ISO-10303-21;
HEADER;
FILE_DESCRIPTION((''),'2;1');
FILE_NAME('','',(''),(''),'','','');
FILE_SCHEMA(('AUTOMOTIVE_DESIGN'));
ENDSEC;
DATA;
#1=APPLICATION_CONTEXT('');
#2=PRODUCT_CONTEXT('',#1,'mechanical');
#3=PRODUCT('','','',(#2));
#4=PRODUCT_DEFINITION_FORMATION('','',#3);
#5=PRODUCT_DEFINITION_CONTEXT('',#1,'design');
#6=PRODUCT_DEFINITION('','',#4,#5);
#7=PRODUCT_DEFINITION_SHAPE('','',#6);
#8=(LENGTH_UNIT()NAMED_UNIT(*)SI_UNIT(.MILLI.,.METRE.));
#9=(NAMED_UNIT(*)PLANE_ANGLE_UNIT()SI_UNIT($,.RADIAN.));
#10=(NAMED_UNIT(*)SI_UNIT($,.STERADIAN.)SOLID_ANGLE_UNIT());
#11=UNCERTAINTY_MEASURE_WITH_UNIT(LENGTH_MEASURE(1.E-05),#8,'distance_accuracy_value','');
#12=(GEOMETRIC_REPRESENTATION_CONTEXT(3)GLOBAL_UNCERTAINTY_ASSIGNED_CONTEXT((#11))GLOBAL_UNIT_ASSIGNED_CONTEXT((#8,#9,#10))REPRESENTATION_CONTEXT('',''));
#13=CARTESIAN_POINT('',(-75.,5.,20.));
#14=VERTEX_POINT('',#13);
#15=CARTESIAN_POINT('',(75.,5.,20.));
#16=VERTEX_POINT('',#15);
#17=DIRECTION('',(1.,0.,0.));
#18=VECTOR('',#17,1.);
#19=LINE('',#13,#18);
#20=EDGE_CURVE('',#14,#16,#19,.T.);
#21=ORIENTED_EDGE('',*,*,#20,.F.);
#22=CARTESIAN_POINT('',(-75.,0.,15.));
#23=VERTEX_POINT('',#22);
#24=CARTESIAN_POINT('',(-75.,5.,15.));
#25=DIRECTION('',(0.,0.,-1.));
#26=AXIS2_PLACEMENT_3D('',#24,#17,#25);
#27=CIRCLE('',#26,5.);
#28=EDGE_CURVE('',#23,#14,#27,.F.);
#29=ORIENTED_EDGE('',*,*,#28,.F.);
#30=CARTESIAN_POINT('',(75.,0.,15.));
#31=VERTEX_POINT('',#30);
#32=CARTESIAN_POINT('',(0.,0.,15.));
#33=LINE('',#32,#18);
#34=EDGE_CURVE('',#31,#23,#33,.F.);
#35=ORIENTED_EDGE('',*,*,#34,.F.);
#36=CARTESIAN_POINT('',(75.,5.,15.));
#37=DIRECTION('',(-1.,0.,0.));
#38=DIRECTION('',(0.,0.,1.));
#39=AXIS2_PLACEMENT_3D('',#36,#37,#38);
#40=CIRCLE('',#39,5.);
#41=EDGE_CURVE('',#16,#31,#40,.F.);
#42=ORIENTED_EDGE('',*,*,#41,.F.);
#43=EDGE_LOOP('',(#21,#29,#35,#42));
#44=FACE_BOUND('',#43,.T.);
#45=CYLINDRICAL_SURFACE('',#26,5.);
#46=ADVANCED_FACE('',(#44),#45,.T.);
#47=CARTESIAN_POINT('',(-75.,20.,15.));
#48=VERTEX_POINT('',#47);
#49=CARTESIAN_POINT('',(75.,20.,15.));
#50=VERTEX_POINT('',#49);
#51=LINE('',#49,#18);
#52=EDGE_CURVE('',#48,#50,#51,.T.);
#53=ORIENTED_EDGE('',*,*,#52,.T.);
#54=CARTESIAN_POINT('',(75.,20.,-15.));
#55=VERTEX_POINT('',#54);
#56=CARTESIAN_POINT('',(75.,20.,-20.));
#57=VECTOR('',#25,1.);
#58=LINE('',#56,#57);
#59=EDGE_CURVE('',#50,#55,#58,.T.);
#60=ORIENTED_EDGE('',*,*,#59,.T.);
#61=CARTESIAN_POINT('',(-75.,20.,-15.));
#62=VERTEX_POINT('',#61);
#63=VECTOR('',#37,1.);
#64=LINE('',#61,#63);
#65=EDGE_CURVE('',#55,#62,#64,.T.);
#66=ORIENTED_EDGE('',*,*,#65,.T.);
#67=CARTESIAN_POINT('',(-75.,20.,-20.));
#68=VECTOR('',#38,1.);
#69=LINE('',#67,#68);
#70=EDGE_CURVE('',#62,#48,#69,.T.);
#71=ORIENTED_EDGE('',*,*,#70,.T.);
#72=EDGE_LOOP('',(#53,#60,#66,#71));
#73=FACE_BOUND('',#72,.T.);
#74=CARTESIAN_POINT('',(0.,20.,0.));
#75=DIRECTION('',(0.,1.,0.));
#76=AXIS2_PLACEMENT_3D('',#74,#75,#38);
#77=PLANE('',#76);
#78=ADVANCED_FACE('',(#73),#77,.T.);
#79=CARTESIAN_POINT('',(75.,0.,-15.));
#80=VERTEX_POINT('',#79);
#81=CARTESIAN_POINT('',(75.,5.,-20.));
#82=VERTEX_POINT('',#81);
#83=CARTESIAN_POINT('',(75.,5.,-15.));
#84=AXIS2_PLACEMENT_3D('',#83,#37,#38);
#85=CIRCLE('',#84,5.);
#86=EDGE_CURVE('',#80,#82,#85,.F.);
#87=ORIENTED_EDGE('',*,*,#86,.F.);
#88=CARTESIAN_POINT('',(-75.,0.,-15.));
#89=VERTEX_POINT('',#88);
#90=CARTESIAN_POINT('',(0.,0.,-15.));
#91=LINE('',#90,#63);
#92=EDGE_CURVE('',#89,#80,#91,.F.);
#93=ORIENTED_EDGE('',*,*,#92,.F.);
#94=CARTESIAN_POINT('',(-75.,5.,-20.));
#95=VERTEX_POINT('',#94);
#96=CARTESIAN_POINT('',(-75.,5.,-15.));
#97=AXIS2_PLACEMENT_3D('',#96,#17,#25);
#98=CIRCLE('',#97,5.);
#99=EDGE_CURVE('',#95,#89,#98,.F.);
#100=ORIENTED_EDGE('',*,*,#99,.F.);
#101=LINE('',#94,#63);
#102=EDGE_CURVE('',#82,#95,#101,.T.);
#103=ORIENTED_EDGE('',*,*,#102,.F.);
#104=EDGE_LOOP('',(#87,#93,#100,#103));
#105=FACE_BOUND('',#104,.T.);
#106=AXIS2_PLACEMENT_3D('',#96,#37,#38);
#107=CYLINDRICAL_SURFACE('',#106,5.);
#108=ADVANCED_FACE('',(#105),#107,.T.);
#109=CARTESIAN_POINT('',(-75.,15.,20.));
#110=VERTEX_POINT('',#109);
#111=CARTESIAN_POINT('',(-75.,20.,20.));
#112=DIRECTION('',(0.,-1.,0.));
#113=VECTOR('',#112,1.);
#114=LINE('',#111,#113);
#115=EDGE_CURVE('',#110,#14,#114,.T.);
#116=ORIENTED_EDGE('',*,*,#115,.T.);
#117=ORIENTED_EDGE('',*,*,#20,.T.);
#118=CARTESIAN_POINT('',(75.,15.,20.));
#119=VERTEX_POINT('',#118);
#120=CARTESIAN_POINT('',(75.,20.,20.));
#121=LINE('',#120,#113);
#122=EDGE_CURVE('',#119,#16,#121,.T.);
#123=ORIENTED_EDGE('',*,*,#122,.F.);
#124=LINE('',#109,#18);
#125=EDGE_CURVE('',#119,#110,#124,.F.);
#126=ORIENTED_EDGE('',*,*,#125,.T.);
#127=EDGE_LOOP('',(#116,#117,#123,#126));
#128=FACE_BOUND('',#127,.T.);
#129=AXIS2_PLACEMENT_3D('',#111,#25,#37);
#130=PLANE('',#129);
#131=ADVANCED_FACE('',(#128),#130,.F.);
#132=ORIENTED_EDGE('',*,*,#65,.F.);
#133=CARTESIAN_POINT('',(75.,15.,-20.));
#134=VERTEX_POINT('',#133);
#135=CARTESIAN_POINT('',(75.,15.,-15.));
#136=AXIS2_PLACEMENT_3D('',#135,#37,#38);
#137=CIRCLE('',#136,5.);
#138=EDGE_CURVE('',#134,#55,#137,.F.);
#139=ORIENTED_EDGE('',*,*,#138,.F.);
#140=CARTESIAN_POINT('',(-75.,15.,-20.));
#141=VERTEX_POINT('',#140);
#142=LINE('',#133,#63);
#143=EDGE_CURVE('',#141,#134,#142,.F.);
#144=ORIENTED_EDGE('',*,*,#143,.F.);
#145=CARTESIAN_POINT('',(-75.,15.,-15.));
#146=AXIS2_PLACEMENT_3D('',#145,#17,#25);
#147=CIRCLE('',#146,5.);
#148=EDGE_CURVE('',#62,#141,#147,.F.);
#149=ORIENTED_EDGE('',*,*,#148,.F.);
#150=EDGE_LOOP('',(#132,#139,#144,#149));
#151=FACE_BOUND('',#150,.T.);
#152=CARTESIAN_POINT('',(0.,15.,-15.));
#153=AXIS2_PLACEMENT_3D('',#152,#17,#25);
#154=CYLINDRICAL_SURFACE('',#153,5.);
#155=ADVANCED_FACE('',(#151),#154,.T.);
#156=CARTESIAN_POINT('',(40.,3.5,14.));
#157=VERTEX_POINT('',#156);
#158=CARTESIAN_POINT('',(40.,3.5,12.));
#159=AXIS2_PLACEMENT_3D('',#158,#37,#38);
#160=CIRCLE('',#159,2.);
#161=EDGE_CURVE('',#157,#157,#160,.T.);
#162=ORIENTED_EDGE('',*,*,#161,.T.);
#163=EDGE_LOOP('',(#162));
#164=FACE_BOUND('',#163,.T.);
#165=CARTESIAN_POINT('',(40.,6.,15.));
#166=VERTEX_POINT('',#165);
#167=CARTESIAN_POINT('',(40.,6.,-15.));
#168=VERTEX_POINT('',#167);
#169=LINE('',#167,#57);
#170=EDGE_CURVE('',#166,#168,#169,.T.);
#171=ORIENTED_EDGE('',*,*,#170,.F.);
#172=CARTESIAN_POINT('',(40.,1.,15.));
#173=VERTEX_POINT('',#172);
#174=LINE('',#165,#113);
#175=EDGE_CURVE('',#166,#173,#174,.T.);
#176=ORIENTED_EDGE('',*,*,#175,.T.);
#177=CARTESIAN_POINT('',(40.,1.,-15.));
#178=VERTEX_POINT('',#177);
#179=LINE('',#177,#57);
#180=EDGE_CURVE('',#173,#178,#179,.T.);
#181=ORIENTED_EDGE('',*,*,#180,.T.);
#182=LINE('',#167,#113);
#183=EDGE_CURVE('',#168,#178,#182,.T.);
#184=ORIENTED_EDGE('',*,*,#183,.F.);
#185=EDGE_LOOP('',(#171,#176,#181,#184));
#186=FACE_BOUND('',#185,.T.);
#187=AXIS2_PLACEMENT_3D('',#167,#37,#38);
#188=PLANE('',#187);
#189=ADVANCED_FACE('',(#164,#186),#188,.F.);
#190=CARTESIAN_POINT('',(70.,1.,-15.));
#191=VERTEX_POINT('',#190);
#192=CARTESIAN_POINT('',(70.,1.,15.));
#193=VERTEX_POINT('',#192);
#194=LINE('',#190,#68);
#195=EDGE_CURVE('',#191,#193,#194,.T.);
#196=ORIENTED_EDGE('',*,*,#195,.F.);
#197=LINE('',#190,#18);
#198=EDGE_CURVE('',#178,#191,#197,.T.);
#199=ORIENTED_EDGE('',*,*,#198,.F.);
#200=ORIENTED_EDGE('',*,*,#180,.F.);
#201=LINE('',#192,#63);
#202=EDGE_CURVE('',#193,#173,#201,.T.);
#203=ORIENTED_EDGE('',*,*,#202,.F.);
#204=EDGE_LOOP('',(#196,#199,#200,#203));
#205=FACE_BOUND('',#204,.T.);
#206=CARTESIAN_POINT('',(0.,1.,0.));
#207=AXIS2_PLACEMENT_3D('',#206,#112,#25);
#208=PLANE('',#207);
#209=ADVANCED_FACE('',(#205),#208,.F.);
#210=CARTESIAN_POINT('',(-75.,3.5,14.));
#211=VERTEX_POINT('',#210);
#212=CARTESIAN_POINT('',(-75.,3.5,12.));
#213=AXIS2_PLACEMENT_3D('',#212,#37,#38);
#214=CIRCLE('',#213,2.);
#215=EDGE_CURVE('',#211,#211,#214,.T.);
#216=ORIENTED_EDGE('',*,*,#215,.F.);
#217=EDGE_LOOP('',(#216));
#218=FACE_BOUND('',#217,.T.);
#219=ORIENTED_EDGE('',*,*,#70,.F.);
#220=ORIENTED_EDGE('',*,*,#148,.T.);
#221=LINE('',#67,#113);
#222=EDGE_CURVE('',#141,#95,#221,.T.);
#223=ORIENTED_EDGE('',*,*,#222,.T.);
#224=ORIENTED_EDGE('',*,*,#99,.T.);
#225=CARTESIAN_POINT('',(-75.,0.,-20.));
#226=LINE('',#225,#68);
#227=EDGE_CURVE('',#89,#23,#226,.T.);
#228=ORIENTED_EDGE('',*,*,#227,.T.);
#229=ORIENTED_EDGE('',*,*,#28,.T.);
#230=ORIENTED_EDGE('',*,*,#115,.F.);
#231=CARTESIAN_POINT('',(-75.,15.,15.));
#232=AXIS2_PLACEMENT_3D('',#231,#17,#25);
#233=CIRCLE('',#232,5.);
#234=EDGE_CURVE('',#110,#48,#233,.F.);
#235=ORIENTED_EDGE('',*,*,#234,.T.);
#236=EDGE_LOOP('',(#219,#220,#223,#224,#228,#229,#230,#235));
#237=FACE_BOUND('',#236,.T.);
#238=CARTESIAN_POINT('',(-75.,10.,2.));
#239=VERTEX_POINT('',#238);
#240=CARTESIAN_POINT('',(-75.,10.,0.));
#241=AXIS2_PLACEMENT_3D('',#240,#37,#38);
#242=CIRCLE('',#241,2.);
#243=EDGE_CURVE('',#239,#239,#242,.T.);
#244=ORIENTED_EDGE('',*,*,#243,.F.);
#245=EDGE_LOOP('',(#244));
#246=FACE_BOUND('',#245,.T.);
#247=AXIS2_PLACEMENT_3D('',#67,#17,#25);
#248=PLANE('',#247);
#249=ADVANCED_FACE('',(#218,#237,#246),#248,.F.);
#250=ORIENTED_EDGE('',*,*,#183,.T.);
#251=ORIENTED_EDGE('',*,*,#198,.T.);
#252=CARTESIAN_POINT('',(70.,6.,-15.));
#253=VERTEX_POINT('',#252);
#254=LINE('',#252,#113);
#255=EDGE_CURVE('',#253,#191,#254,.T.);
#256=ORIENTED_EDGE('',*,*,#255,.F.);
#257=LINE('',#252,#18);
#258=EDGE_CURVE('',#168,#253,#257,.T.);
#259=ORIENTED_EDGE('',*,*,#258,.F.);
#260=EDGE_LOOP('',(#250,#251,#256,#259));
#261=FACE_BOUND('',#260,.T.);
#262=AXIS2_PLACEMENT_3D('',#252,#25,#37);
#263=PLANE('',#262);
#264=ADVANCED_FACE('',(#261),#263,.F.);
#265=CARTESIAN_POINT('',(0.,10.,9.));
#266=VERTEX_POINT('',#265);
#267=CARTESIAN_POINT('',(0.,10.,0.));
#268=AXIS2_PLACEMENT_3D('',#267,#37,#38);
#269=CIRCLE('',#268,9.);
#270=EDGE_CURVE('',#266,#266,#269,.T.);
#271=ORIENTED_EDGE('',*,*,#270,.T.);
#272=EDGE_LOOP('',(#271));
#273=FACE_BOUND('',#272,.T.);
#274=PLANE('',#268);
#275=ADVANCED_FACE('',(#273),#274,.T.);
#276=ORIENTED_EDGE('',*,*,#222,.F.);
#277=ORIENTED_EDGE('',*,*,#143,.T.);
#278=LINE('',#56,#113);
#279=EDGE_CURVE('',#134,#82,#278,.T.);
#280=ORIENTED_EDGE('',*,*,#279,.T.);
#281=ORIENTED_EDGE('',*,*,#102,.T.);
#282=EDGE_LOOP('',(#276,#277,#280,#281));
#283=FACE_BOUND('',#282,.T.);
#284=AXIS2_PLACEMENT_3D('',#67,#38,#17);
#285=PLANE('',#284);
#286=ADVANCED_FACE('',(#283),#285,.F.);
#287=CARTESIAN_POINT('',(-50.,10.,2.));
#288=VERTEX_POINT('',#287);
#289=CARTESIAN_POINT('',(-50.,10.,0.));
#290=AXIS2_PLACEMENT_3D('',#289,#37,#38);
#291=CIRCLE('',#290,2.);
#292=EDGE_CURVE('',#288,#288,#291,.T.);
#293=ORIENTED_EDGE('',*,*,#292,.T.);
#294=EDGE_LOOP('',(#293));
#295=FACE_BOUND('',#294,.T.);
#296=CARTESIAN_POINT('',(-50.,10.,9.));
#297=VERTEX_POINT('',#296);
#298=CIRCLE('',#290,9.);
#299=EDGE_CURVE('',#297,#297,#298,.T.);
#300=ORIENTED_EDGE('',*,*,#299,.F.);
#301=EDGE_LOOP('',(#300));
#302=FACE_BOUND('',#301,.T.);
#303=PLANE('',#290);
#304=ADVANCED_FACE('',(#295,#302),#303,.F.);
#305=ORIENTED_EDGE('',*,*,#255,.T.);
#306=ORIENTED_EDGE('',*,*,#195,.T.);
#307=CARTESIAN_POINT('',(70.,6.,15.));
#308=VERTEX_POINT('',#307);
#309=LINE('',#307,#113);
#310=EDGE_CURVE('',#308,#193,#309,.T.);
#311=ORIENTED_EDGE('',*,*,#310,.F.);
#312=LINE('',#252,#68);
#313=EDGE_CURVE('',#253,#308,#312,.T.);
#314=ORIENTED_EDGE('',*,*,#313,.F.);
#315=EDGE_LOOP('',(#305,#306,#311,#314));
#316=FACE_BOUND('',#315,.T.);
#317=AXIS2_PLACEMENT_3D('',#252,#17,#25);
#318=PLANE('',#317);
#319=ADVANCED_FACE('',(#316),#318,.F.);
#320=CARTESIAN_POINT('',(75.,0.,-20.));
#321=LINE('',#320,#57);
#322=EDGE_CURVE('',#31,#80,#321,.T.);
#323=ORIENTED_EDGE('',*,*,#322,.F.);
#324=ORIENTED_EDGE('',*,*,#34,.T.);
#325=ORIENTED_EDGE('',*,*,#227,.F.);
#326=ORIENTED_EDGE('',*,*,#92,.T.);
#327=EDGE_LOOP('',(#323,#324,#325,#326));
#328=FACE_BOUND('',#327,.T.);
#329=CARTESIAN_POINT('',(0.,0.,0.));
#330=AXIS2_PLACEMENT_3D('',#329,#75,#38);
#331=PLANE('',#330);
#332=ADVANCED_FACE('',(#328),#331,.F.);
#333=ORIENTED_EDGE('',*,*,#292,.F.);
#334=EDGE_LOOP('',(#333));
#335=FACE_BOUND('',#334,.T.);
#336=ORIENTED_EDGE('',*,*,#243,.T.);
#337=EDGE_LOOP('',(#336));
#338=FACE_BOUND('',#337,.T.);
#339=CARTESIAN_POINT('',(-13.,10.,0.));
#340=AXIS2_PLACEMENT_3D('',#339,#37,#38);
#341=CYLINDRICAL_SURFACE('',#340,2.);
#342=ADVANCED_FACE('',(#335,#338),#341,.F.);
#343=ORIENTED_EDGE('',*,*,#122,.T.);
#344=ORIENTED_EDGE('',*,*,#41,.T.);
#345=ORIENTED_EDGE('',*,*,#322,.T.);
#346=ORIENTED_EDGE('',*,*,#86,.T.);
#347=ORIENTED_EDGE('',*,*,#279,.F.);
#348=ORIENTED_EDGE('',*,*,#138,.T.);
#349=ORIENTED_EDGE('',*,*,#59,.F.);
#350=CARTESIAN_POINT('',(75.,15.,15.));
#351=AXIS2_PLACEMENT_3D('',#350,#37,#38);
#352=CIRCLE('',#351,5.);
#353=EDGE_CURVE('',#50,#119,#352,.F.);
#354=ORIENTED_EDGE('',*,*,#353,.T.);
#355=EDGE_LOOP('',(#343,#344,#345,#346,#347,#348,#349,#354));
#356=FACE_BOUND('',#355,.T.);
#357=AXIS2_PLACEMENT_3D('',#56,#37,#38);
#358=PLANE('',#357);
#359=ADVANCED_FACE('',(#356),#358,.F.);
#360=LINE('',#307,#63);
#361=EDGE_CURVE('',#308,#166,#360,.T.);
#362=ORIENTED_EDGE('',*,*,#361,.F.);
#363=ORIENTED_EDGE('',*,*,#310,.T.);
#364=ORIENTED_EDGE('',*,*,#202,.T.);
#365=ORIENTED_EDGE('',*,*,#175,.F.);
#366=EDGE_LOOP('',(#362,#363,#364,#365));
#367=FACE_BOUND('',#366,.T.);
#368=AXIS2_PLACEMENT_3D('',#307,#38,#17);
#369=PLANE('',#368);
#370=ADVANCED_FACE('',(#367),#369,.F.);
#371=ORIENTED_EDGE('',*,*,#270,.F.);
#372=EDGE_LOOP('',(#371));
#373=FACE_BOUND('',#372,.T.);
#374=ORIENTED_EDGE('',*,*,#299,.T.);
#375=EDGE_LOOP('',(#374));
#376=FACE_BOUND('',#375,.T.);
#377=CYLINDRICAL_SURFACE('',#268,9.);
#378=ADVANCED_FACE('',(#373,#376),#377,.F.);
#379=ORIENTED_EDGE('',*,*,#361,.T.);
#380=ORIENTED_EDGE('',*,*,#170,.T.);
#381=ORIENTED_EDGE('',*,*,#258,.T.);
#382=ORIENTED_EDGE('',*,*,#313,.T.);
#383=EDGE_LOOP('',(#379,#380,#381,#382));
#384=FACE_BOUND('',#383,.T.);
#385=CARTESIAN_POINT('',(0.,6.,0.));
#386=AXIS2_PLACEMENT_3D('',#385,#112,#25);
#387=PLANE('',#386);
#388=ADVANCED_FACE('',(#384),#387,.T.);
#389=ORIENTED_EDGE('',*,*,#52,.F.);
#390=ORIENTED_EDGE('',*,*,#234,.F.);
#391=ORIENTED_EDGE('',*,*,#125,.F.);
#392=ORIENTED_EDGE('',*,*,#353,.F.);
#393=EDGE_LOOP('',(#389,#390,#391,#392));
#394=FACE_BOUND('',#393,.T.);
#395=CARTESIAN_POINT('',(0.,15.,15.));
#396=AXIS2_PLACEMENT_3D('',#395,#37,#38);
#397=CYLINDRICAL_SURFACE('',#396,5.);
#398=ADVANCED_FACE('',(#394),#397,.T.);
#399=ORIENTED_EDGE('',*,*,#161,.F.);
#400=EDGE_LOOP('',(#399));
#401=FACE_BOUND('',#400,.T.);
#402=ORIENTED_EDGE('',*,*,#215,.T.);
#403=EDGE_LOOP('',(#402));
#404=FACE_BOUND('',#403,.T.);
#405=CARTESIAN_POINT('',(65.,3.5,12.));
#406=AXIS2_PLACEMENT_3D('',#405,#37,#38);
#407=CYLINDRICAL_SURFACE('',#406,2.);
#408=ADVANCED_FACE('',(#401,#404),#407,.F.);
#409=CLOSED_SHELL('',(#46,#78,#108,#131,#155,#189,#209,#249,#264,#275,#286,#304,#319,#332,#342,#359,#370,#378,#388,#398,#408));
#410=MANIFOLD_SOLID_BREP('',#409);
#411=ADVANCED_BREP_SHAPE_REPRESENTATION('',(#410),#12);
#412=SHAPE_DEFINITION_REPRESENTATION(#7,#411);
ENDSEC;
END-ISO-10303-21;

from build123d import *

# Parameters (mm, degrees)
SKETCH1_W           = 150
SKETCH1_H           = 40
BOSS_EXTRUDE1_DEPTH = 20
CUT_EXTRUDE1_START  = -1
SKETCH2_W           = 30
SKETCH2_H           = 30
CUT_EXTRUDE1_DEPTH  = 5
SKETCH7_R           = 2
CUT_EXTRUDE3_DEPTH  = 140
FILLET1_R           = 5
CUT_EXTRUDE5_START  = -25
SKETCH9_R           = 9
CUT_EXTRUDE5_DEPTH  = 50
SKETCH8_R           = 2
CUT_EXTRUDE4_DEPTH  = 62


with BuildPart() as part:
    # Sketch1 → Boss-Extrude1 (new body)
    with BuildSketch(Plane(origin=(0, 0, 0), x_dir=(1, 0, 0), z_dir=(0, 1, 0))):
        Rectangle(SKETCH1_W, SKETCH1_H)
    extrude(amount=BOSS_EXTRUDE1_DEPTH)

    # Sketch2 → Cut-Extrude1 (cut)
    with BuildSketch(Plane.XZ.offset(CUT_EXTRUDE1_START)):
        with Locations((55, 0)):
            Rectangle(SKETCH2_W, SKETCH2_H)
    extrude(amount=-CUT_EXTRUDE1_DEPTH, mode=Mode.SUBTRACT)

    # Sketch7 → Cut-Extrude3 (cut)
    with BuildSketch(Plane.ZY.offset(75)):
        with Locations((12, 3.5)):
            Circle(SKETCH7_R)
    extrude(amount=-CUT_EXTRUDE3_DEPTH, mode=Mode.SUBTRACT)

    # Fillet1
    fillet1_edges = [part.edges().sort_by_distance(p)[0] for p in [
        (0, 20, -20),
        (0, 0, -20),
        (0, 0, 20),
        (0, 20, 20),
    ]]
    fillet(fillet1_edges, radius=FILLET1_R)

    # Sketch9 → Cut-Extrude5 (cut)
    with BuildSketch(Plane.ZY.offset(75).offset(CUT_EXTRUDE5_START)):
        with Locations((0, 10)):
            Circle(SKETCH9_R)
    extrude(amount=-CUT_EXTRUDE5_DEPTH, mode=Mode.SUBTRACT)

    # Sketch8 → Cut-Extrude4 (cut)
    with BuildSketch(Plane.ZY.offset(75)):
        with Locations((0, 10)):
            Circle(SKETCH8_R)
    extrude(amount=-CUT_EXTRUDE4_DEPTH, mode=Mode.SUBTRACT)


solid = part.part
